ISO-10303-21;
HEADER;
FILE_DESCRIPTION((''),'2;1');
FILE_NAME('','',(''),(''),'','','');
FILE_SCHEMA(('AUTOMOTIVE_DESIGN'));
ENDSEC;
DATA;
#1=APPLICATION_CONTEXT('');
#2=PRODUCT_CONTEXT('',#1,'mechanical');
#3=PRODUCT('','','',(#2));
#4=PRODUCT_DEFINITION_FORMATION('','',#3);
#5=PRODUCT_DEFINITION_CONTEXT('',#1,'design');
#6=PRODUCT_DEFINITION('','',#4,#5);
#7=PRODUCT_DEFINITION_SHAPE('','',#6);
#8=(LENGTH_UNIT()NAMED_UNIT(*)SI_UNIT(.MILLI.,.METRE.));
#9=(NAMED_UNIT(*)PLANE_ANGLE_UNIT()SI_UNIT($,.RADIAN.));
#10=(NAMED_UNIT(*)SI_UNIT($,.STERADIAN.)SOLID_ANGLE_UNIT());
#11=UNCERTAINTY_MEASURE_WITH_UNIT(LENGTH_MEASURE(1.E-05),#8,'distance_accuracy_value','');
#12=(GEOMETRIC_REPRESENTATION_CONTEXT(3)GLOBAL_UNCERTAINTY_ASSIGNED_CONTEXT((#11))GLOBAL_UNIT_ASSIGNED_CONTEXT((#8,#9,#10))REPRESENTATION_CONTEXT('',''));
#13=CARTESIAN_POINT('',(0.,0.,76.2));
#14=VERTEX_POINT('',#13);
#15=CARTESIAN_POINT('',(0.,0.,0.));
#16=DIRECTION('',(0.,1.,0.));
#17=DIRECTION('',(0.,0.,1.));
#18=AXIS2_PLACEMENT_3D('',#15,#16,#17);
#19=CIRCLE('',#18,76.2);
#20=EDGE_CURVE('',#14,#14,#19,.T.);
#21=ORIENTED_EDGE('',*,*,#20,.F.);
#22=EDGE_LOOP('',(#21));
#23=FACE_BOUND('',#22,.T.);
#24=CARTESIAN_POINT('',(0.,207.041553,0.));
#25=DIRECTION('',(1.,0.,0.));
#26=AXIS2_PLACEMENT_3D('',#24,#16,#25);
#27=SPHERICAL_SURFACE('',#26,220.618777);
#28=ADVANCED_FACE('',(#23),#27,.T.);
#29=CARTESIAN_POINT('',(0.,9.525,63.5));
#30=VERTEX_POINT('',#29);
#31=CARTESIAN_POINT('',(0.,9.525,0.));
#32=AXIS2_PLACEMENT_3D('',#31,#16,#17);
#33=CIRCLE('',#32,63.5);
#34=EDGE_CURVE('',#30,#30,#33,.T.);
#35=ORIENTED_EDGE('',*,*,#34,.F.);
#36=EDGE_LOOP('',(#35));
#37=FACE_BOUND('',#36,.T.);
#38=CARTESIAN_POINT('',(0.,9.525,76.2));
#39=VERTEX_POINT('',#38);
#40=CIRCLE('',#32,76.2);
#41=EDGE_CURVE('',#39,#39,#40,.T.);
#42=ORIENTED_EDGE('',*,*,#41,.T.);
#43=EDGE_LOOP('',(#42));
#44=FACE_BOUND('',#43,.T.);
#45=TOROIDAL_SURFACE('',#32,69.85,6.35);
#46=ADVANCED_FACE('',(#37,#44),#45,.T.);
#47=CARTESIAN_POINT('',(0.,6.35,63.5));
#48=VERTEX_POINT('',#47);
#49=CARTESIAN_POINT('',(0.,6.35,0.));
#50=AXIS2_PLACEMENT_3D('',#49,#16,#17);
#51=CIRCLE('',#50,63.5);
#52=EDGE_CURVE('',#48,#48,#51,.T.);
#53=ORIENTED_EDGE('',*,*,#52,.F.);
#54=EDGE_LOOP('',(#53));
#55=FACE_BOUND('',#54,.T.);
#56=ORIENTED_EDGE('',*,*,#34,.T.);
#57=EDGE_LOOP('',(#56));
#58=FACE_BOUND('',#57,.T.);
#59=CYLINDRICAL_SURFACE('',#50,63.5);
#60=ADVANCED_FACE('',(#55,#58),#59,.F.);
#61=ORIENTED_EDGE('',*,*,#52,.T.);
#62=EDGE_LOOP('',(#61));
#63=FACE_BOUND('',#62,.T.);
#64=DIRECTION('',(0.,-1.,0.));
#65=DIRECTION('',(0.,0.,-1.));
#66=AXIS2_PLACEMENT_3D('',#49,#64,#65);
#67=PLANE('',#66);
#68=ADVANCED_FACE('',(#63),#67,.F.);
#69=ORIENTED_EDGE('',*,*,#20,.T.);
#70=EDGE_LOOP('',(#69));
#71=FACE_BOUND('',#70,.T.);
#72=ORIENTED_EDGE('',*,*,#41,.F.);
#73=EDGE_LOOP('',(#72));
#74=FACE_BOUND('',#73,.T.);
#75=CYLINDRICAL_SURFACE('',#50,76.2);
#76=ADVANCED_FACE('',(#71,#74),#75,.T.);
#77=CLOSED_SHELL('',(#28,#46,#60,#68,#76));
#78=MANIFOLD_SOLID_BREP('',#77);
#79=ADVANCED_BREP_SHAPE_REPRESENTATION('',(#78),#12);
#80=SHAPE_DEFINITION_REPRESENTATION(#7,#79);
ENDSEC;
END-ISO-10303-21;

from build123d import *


with BuildPart() as part:
    # Sketch1 → Revolve2 (revolve)
    with BuildSketch(Plane.XY, mode=Mode.PRIVATE) as revolve2_sk:
        with BuildLine():
            ThreePointArc((-76.2, 9.525), (-69.85, 15.875), (-63.5, 9.525))
            Line((-63.5, 9.525), (-63.5, 6.35))
            Line((-63.5, 6.35), (0, 6.35))
            Line((0, 6.35), (0, 0))
            Line((0, 0), (-76.2, 0))
            Line((-76.2, 0), (-76.2, 9.525))
        make_face()
        with BuildLine():
            ThreePointArc((0, -13.577223759), (-38.700067846, -10.156396829), (-76.2, 0))
            Line((-76.2, 0), (0, 0))
            Line((0, 0), (0, -13.577223759))
        make_face()
    revolve(revolve2_sk.sketch.rotate(Axis((0, 6.35, 0), (0, -1, 0)), 270), axis=Axis((0, 6.35, 0), (0, -1, 0)))


solid = part.part
